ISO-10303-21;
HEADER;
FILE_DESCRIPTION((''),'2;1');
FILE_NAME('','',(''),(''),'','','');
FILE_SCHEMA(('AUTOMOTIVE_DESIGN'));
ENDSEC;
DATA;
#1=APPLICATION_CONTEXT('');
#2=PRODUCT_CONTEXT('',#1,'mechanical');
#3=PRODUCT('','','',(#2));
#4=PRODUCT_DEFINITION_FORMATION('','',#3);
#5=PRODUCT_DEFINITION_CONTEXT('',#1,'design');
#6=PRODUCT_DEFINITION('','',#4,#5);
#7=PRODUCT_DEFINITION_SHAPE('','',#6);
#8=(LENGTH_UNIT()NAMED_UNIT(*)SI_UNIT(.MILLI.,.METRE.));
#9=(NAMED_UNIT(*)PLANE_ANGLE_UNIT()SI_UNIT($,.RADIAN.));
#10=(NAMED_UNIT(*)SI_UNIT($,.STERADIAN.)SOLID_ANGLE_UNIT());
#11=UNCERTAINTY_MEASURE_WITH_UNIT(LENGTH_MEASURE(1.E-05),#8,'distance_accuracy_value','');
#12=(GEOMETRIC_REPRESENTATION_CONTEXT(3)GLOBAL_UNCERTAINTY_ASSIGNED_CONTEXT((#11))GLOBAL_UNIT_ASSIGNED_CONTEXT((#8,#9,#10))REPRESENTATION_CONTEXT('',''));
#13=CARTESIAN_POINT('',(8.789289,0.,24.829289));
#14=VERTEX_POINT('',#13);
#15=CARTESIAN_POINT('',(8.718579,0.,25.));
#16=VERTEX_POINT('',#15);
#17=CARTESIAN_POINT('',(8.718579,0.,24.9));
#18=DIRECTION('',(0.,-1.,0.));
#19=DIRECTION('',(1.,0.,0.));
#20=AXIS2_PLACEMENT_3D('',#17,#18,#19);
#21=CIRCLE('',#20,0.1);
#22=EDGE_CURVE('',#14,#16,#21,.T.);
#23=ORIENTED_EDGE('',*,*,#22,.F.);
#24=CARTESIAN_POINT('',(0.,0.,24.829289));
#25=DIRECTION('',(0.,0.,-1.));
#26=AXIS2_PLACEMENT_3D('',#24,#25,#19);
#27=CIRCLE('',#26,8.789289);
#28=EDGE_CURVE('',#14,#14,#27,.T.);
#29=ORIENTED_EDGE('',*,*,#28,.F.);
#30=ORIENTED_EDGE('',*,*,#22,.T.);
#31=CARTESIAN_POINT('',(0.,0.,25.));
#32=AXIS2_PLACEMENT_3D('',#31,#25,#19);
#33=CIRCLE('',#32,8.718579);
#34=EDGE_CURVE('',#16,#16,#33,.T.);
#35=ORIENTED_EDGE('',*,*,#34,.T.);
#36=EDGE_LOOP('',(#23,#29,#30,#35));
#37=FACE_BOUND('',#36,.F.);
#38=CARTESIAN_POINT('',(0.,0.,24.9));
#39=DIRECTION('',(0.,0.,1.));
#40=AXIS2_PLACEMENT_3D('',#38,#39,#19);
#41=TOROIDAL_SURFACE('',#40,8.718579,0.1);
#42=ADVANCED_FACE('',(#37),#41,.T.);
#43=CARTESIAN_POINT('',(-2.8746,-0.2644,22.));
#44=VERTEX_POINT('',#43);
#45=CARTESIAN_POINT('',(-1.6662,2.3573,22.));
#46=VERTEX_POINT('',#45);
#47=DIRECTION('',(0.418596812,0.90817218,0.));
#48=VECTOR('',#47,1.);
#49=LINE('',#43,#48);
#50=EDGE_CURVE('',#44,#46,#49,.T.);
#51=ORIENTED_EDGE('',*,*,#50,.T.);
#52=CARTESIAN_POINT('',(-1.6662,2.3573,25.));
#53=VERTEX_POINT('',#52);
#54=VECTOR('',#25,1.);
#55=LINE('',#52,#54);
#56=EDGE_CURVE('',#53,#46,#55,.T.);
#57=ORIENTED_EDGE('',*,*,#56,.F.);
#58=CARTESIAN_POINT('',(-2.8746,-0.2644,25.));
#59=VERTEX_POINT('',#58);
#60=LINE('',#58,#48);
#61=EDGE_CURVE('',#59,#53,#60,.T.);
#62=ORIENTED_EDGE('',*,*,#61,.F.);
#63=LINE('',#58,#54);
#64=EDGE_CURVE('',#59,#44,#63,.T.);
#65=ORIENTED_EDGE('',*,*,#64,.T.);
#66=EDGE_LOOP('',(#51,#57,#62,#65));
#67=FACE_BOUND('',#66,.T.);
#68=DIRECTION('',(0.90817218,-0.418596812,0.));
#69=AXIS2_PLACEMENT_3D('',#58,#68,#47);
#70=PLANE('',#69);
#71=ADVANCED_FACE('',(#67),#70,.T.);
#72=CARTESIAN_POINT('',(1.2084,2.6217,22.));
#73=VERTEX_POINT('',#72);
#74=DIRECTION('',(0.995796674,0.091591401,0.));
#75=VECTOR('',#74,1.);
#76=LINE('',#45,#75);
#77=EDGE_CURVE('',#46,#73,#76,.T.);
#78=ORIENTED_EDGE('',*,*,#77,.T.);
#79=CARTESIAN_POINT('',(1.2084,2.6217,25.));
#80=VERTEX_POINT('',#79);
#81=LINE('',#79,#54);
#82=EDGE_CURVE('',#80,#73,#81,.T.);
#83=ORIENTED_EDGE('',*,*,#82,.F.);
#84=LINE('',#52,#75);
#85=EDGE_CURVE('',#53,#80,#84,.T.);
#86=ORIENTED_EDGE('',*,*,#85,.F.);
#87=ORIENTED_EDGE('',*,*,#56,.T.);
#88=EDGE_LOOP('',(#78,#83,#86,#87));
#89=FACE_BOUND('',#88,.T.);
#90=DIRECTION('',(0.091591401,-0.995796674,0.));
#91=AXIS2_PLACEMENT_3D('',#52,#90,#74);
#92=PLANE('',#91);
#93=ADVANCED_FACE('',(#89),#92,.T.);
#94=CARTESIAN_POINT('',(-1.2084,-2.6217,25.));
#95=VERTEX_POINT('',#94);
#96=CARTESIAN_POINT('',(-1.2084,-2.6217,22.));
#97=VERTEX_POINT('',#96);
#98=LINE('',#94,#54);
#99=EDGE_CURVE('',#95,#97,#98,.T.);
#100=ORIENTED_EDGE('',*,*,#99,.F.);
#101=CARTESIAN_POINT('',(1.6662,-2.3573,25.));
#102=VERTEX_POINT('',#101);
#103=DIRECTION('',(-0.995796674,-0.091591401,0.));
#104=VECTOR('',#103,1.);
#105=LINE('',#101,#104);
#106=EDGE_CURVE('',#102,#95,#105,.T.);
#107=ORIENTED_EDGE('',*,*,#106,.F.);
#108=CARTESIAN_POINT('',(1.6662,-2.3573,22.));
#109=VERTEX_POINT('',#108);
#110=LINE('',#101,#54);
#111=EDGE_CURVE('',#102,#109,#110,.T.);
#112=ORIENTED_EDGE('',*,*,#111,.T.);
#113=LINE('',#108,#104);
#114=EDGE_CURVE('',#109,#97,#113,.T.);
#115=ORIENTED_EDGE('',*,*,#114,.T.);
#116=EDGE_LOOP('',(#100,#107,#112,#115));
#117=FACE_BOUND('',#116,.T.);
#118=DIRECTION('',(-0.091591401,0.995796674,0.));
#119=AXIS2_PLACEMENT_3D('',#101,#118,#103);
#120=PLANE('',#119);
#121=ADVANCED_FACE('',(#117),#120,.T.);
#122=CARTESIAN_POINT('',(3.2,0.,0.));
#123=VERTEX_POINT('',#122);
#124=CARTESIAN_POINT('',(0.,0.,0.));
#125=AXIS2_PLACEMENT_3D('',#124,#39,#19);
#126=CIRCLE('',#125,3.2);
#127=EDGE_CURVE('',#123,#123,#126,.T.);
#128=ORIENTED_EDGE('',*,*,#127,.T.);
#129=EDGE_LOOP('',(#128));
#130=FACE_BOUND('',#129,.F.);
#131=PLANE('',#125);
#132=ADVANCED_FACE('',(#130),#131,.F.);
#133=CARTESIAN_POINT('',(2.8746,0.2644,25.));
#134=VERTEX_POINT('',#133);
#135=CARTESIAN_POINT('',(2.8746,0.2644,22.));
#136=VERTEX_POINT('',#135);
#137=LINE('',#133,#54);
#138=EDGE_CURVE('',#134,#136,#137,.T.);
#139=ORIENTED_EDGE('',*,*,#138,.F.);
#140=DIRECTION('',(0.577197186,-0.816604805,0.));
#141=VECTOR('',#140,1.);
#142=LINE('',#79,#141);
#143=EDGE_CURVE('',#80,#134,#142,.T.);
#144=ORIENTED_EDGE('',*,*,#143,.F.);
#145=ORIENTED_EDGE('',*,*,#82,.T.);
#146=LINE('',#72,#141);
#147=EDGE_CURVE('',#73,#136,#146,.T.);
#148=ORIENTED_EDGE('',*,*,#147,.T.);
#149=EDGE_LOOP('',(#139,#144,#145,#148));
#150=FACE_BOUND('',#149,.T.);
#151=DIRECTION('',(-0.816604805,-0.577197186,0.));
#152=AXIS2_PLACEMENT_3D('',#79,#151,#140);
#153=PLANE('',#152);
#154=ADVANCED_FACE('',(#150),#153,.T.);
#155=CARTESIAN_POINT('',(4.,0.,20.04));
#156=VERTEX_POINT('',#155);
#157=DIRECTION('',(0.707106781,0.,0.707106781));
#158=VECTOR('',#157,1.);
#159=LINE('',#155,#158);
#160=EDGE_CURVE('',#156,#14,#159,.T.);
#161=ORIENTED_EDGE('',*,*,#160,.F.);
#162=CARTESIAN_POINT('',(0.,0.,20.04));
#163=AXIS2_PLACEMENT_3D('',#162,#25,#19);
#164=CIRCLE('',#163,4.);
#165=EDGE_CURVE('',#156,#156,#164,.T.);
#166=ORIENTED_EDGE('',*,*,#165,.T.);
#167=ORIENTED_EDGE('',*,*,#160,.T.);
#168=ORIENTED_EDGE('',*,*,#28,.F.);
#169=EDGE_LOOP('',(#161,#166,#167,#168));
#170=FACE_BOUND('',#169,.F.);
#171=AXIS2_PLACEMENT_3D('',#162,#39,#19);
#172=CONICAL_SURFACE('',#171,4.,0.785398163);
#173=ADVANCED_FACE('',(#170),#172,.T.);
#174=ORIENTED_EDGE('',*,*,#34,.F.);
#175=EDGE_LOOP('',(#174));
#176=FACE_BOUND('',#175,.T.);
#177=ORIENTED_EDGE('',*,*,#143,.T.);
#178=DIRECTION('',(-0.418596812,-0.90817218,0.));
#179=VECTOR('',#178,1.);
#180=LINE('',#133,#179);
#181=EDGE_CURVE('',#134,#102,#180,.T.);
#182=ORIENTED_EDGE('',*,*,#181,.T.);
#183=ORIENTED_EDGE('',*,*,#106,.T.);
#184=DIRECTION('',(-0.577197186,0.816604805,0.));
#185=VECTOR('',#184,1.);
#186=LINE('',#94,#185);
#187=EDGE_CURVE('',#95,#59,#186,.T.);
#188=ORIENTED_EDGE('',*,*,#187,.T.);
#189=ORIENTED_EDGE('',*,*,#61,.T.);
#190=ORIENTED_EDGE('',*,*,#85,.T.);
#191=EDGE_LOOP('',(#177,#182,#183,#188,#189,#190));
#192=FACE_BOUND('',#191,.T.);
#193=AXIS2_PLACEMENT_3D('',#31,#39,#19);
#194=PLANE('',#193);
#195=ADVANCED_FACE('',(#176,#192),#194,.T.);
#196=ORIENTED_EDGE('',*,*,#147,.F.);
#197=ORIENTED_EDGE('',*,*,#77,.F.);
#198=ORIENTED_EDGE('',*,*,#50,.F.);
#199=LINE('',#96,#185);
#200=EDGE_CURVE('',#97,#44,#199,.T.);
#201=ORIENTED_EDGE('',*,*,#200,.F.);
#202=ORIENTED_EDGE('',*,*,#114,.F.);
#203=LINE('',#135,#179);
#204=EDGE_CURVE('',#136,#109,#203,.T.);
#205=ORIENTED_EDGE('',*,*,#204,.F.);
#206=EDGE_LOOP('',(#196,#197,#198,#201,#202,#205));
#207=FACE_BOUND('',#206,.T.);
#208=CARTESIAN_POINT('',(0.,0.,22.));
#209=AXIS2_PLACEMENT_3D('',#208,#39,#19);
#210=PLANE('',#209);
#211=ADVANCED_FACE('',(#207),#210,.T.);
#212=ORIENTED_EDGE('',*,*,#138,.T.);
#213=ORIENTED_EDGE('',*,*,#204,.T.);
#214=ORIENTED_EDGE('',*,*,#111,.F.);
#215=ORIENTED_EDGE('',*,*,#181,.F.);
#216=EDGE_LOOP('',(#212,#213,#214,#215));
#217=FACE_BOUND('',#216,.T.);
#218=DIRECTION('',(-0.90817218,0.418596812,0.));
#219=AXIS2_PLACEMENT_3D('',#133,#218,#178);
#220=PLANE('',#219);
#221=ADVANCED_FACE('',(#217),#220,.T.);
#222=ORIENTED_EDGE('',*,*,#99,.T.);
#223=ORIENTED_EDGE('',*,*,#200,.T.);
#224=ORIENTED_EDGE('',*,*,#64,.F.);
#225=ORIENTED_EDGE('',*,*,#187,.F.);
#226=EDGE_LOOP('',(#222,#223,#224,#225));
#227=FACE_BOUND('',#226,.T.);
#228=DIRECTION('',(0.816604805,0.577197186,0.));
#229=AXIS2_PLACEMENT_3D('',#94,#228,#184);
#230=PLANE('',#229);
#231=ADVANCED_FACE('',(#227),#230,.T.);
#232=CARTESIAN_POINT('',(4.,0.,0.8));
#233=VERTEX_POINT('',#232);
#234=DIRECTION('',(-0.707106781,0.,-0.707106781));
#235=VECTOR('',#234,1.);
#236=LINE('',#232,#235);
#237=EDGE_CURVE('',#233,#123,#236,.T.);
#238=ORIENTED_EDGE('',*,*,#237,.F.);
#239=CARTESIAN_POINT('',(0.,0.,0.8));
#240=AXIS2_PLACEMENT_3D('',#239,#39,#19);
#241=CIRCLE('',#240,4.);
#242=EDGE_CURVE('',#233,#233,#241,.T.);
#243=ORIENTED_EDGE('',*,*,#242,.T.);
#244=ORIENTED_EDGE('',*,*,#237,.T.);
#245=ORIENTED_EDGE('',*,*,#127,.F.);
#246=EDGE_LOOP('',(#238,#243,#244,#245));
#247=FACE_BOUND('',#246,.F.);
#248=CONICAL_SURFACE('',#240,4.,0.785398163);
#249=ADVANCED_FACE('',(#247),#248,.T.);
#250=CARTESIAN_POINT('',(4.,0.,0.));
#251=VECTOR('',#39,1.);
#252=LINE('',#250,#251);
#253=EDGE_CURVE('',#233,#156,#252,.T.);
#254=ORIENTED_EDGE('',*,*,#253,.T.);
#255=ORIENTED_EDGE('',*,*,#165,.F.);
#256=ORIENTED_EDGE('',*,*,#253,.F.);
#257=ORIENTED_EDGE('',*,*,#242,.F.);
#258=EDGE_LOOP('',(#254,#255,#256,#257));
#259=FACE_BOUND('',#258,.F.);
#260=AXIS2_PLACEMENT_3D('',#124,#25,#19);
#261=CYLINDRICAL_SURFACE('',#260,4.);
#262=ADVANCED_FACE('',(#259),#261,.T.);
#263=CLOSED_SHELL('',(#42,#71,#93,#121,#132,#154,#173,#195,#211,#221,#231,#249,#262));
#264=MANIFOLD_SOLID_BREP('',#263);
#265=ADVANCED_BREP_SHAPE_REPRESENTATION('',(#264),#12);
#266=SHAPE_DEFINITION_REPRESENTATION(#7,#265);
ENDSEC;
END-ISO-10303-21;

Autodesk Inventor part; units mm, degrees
ref_plane "YZ Plane" through (0, 0, 0) normal (1, 0, 0) x (0, 1, 0)
ref_plane "XZ Plane" through (0, 0, 0) normal (0, 1, 0) x (-1, 0, 0)
ref_plane "XY Plane" through (0, 0, 0) normal (0, 0, 1) x (1, 0, 0)
sketch "Sketch1" plane through (0, 0, 0) normal (0, 0, 1) x (1, 0, 0)
  circle A0 centre (0, 0) radius 4
  dimension "Diameter" = 8
extrude "Extrusion1" add sketch "Sketch1" along normal blind 20.04
sketch "Sketch2" plane through (0, 0, 20.04) normal (0, 0, 1) x (1, 0, 0)
  circle A0 centre (0, 0) radius 4 projected
extrude "Extrusion2" add sketch "Sketch2" along normal blind 4.96 draft 45
sketch "Sketch3" plane through (0, 0, 25) normal (0, 0, 1) x (1, 0, 0)
  circle A0 centre (0, 0) radius 8.96 projected
  circle A1 centre (0, 0) radius 2.8868 construction
  line L0 (1.2084, 2.6217) -> (2.8746, 0.2644)
  line L1 (2.8746, 0.2644) -> (1.6662, -2.3573)
  line L2 (1.6662, -2.3573) -> (-1.2084, -2.6217)
  line L3 (-1.2084, -2.6217) -> (-2.8746, -0.2644)
  line L4 (-2.8746, -0.2644) -> (-1.6662, 2.3573)
  line L5 (-1.6662, 2.3573) -> (1.2084, 2.6217)
  dimension "Hex_Width" = 5
extrude "Extrusion3" cut sketch "Sketch3" against normal blind 3 contours L0 L1 L2 L3 L4 L5
thread "Thread1" size "M8x1.25" class "4g6g" standard "ANSI Metric M Profile" length 20.04
chamfer "Chamfer2" distance 0.8 angle 45 1 edges at (-4, 0, 0)
fillet "Fillet1" radius 0.1 1 edges at (-8.96, 0, 25)
equation "\"d10\" = Thread_Length"
equation "\"d13\" = Chamfer"
equation "\"Thread_Length\" = 20.04"
equation "\"Length\" = 25"
equation "\"Chamfer\" = 0.8"
properties part number "SCREW, FLAT HD, P, 12.9, M8X1.25X25MM"
